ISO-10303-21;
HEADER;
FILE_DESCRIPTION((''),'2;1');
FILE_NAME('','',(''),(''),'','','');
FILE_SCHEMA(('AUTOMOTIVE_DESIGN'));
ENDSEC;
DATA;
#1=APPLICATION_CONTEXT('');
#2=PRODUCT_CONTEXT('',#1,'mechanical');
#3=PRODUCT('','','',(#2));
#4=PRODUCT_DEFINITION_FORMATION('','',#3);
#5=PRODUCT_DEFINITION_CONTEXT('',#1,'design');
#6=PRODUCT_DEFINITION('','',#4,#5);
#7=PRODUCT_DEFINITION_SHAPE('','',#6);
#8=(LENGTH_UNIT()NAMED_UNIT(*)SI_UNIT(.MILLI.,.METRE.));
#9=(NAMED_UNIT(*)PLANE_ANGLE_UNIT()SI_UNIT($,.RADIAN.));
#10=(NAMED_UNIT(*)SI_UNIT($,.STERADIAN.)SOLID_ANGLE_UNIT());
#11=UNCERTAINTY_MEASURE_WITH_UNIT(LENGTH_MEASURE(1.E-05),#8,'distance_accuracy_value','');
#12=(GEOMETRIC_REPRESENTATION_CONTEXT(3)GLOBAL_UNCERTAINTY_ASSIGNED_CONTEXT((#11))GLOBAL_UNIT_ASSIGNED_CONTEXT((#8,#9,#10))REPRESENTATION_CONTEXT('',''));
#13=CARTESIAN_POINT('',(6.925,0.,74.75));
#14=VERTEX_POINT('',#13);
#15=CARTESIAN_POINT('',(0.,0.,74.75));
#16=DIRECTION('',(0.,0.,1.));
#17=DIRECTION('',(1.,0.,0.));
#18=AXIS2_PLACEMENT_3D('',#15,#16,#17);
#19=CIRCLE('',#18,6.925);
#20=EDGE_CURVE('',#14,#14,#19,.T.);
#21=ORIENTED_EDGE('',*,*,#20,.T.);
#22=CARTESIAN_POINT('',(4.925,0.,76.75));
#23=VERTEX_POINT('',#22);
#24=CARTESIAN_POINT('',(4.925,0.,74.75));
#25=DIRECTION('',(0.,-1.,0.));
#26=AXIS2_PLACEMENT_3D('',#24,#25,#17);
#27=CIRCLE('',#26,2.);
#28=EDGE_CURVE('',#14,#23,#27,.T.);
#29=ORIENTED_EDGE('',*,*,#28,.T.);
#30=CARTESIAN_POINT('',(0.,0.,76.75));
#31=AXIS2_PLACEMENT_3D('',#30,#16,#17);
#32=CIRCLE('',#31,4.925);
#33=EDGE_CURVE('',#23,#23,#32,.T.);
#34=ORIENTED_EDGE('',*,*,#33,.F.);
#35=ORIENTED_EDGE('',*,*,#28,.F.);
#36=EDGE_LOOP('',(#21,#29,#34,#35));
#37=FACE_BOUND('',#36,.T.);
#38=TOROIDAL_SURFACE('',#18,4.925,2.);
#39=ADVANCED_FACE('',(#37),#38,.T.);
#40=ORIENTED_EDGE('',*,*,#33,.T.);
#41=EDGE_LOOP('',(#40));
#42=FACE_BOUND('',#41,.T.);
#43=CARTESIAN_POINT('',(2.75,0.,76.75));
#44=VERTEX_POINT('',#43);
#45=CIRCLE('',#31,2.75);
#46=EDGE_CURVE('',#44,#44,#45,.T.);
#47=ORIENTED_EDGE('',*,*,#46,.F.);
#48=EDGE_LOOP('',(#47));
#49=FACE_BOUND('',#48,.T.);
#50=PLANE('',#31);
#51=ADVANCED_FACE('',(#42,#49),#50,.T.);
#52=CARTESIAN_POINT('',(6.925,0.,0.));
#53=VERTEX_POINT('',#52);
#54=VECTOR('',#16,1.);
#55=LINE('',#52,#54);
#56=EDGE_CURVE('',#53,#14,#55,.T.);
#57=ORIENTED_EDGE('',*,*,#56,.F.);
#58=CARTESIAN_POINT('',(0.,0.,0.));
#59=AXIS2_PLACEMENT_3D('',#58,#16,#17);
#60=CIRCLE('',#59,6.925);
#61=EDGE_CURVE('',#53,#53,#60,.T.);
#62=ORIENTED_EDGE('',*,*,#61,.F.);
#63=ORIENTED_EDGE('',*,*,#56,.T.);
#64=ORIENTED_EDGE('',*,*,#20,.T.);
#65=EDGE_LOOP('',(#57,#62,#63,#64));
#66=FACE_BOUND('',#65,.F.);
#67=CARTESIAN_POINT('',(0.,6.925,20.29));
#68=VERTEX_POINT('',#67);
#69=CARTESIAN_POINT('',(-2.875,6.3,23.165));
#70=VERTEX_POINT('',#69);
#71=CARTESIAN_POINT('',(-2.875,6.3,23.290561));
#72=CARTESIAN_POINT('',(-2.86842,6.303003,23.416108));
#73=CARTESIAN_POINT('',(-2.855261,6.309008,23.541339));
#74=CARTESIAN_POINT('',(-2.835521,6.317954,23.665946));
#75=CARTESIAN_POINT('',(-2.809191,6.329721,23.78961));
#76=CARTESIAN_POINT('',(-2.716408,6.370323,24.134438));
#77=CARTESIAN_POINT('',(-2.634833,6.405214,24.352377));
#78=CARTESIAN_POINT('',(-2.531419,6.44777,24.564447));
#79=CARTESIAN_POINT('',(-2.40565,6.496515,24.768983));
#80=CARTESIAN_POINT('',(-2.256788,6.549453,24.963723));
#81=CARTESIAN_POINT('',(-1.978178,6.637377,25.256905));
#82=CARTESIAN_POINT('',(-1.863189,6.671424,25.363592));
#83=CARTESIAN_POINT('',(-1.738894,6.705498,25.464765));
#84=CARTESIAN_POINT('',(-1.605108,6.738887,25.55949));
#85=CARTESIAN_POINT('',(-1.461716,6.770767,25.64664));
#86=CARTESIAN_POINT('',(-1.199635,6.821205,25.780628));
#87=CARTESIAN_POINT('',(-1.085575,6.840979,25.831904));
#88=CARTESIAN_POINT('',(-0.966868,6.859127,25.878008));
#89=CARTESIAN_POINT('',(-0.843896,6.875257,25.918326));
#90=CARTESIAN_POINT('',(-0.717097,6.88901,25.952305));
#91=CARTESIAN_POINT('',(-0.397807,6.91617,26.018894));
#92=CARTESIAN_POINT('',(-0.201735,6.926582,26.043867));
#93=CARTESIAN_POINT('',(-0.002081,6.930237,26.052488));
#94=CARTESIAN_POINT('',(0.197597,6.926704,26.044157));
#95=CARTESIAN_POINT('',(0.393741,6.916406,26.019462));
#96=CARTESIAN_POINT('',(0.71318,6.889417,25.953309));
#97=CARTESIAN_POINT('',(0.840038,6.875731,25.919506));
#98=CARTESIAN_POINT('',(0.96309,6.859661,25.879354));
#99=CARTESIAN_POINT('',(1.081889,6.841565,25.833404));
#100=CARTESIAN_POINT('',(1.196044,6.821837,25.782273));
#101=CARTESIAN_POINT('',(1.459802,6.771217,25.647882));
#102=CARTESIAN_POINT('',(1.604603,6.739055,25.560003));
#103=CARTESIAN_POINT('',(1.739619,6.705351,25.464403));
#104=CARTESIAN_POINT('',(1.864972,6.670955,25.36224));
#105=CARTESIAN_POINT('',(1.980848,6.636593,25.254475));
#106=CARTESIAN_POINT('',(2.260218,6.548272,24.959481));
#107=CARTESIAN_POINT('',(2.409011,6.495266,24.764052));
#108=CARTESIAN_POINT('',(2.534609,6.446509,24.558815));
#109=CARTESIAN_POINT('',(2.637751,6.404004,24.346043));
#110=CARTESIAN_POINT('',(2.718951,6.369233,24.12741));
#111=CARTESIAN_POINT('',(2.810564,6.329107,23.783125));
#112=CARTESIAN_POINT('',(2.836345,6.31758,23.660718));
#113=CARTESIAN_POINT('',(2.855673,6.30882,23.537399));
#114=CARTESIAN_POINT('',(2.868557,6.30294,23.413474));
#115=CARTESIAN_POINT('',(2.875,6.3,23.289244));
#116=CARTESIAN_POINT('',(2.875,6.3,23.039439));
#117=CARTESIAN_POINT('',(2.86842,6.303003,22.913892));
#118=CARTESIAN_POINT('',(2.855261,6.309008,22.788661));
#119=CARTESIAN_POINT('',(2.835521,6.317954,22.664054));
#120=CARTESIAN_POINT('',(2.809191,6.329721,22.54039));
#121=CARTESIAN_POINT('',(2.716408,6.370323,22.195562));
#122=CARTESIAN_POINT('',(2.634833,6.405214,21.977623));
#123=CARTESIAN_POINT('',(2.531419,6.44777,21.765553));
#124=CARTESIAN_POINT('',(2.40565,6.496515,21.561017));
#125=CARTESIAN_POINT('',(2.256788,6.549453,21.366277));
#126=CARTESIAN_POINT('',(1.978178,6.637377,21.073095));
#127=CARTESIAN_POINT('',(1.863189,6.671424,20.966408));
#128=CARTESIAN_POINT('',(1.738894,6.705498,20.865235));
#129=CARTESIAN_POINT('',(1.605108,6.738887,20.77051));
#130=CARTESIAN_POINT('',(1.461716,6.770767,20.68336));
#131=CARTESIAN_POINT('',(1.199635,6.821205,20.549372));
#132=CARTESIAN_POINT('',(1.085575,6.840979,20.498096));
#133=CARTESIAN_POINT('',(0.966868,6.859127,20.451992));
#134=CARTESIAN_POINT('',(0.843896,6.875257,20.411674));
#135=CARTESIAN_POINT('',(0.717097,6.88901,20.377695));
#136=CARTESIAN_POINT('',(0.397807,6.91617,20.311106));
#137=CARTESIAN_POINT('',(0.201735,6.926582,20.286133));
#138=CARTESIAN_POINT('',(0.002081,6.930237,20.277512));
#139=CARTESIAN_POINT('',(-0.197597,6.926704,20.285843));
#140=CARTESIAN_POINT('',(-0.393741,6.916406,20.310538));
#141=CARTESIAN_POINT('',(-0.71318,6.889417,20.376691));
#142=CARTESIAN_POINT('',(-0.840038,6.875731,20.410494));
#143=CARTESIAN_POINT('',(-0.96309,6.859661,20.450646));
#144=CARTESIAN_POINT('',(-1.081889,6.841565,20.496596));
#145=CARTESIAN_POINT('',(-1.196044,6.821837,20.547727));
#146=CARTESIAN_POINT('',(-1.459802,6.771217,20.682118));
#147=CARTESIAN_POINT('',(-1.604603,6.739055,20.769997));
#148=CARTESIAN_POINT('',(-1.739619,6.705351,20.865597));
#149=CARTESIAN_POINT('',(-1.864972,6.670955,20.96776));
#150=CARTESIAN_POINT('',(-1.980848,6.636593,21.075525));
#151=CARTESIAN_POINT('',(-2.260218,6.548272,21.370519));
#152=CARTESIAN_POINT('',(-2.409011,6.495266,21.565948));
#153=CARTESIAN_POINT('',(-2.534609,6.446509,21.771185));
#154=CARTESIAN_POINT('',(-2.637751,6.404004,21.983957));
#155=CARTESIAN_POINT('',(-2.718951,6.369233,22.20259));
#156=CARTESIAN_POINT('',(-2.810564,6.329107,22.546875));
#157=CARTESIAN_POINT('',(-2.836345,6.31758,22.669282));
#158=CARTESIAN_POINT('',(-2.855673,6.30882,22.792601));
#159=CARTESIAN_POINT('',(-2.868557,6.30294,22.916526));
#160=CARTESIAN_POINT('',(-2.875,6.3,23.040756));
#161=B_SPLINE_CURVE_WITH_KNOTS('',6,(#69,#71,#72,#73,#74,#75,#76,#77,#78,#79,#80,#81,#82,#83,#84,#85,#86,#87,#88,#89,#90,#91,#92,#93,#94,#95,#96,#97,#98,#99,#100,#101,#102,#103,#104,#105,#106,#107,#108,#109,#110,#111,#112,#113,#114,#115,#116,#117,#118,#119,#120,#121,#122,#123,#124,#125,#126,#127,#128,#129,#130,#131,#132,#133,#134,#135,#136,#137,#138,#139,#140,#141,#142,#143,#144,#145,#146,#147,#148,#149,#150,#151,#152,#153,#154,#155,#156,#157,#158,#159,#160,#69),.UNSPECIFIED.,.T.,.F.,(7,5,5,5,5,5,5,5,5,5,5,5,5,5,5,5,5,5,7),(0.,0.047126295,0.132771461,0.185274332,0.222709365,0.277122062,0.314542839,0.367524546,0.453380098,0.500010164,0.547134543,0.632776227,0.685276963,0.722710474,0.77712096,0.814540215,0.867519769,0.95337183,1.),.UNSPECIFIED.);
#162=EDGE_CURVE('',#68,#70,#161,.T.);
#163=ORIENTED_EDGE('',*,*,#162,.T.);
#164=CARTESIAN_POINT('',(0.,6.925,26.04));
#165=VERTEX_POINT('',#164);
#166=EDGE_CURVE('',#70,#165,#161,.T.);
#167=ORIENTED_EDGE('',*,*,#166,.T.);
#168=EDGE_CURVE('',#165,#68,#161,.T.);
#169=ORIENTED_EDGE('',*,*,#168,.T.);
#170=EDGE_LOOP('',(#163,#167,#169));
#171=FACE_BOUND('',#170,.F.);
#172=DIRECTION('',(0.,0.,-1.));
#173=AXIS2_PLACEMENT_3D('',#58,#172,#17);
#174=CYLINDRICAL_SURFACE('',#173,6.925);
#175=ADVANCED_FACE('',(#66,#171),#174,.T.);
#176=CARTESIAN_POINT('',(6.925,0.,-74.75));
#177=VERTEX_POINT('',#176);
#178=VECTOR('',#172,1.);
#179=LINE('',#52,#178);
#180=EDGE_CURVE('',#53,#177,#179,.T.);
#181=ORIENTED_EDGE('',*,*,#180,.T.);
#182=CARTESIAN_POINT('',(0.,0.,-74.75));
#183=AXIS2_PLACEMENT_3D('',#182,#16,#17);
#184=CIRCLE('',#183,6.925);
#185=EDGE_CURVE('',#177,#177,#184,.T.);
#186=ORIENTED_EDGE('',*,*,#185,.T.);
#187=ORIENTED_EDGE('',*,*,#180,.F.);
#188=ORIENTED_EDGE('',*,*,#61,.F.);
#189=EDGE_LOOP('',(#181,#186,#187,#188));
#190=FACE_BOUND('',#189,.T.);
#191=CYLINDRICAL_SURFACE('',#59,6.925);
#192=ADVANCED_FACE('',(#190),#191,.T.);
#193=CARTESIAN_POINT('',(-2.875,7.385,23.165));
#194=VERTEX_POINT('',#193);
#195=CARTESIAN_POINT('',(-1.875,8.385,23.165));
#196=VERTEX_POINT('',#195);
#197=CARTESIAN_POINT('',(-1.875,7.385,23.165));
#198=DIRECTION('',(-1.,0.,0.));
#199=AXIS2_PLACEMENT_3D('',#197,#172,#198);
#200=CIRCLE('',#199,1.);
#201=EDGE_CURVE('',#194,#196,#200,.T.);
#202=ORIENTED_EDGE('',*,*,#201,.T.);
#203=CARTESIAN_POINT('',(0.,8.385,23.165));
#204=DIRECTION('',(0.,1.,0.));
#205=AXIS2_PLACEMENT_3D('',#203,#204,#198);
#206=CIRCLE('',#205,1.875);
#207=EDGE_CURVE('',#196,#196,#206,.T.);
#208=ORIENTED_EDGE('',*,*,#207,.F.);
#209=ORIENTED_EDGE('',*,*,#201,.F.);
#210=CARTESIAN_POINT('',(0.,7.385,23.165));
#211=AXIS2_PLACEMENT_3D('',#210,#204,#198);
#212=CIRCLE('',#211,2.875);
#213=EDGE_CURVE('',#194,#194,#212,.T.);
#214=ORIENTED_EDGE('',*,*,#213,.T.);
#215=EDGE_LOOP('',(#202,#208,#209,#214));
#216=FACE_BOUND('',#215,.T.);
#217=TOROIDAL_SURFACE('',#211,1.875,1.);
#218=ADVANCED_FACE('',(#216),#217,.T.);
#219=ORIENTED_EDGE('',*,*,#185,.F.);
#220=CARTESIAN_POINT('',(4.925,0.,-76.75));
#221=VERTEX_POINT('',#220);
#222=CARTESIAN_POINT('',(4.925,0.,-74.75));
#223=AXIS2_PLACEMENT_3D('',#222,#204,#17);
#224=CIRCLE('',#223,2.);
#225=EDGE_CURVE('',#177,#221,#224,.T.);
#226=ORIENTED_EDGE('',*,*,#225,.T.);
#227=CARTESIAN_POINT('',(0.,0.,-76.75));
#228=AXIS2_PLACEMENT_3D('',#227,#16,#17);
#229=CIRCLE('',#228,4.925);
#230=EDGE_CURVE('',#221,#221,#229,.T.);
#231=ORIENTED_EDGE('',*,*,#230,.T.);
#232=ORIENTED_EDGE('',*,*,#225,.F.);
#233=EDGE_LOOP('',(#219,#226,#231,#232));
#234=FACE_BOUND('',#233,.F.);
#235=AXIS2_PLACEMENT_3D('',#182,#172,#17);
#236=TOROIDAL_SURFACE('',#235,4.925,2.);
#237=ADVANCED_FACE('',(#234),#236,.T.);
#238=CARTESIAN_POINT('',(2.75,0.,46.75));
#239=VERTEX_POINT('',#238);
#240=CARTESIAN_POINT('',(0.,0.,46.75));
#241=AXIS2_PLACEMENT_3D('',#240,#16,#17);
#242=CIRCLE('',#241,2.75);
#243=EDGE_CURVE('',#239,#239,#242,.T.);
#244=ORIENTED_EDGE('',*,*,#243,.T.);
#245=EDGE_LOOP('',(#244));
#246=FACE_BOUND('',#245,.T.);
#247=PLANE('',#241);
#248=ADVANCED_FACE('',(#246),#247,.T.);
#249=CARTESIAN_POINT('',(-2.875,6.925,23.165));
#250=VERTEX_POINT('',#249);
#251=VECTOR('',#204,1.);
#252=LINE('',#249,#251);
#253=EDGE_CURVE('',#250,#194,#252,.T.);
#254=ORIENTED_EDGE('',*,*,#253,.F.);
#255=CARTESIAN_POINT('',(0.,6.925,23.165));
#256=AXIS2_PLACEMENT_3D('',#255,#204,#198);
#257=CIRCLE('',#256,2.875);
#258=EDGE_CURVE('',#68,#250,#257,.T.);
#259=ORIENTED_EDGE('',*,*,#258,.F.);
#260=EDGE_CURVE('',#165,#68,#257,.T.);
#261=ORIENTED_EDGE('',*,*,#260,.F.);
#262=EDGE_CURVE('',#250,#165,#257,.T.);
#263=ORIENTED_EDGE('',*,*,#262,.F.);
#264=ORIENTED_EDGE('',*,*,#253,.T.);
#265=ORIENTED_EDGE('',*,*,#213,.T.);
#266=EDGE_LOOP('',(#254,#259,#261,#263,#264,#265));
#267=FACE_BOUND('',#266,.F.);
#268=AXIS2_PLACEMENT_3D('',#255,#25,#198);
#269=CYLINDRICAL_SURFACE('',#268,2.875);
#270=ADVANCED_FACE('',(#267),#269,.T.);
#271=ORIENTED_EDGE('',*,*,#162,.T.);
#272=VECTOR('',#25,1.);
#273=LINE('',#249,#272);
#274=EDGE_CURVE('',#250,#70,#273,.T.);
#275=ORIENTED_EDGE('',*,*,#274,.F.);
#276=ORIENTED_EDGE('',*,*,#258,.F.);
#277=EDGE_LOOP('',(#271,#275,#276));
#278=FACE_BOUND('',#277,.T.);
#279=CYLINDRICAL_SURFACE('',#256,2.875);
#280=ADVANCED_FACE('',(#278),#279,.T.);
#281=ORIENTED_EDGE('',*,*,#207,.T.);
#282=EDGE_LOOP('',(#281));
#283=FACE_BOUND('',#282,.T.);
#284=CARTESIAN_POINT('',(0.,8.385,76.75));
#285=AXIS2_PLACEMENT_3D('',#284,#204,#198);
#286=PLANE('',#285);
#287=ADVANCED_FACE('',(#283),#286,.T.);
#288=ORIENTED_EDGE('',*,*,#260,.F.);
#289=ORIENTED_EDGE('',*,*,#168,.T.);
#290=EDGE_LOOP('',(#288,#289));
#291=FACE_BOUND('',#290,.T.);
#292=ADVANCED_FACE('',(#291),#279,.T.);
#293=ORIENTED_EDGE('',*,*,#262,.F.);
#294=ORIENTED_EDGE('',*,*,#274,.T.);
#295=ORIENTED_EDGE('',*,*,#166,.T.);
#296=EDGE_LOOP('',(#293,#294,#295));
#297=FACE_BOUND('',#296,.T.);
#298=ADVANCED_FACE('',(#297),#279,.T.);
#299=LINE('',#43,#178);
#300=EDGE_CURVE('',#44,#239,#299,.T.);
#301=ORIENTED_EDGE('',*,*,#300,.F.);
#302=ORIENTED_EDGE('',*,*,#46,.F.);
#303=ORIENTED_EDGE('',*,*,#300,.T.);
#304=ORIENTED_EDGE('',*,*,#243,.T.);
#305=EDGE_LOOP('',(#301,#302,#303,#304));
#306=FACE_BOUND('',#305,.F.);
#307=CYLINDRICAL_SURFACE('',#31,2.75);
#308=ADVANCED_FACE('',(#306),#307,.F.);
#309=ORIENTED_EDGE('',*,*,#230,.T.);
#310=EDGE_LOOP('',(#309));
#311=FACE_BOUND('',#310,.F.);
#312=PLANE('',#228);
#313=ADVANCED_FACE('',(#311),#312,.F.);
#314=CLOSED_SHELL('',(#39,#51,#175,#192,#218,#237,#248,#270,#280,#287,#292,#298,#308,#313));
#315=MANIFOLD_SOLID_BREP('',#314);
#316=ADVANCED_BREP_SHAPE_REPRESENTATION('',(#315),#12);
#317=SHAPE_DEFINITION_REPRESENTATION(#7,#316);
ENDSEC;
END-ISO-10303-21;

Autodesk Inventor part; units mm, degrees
ref_plane "YZ Plane" through (0, 0, 0) normal (1, 0, 0) x (0, 1, 0)
ref_plane "XZ Plane" through (0, 0, 0) normal (0, 1, 0) x (-1, 0, 0)
ref_plane "XY Plane" through (0, 0, 0) normal (0, 0, 1) x (1, 0, 0)
sketch "Sketch1" plane through (0, 0, 0) normal (0, 0, 1) x (1, 0, 0)
  circle A0 centre (0, 0) radius 6.925
  dimension "d0" = 13.85
extrude "Extrusion1" add sketch "Sketch1" along normal mid plane 153.5
sketch "Sketch2" plane through (0, 0, 76.75) normal (0, 0, 1) x (1, 0, 0)
  circle A0 centre (0, 0) radius 6.925 projected
  point P0 (0, 6.925)
ref_plane "Work Plane1" through (0, 6.925, 76.75) normal (0, 1, 0) x (-1, 0, 0)
sketch "Sketch3" plane through (0, 6.925, 76.75) normal (0, 1, 0) x (-1, 0, 0)
  circle A0 centre (0, -53.585) radius 2.875
  line L0 (6.925, 0) -> (-6.925, 0) projected
  point P0 (0, -76.75)
  dimension "d3" = 50.71
  dimension "d4" = 5.75
extrude "Extrusion2" add sketch "Sketch3" along normal mid plane 2.92
fillet "Fillet1" radius 1 1 edges at (2.875, 8.385, 23.165)
sketch "Sketch4" plane through (0, 0, 76.75) normal (0, 0, 1) x (1, 0, 0)
  circle A0 centre (0, 0) radius 2.75
  dimension "d8" = 5.5
extrude "Extrusion3" cut sketch "Sketch4" against normal blind 30
fillet "Fillet2" radius 2 2 edges at (-6.925, 0, 76.75) (-6.925, 0, -76.75)
properties part number "Pen_Model"
